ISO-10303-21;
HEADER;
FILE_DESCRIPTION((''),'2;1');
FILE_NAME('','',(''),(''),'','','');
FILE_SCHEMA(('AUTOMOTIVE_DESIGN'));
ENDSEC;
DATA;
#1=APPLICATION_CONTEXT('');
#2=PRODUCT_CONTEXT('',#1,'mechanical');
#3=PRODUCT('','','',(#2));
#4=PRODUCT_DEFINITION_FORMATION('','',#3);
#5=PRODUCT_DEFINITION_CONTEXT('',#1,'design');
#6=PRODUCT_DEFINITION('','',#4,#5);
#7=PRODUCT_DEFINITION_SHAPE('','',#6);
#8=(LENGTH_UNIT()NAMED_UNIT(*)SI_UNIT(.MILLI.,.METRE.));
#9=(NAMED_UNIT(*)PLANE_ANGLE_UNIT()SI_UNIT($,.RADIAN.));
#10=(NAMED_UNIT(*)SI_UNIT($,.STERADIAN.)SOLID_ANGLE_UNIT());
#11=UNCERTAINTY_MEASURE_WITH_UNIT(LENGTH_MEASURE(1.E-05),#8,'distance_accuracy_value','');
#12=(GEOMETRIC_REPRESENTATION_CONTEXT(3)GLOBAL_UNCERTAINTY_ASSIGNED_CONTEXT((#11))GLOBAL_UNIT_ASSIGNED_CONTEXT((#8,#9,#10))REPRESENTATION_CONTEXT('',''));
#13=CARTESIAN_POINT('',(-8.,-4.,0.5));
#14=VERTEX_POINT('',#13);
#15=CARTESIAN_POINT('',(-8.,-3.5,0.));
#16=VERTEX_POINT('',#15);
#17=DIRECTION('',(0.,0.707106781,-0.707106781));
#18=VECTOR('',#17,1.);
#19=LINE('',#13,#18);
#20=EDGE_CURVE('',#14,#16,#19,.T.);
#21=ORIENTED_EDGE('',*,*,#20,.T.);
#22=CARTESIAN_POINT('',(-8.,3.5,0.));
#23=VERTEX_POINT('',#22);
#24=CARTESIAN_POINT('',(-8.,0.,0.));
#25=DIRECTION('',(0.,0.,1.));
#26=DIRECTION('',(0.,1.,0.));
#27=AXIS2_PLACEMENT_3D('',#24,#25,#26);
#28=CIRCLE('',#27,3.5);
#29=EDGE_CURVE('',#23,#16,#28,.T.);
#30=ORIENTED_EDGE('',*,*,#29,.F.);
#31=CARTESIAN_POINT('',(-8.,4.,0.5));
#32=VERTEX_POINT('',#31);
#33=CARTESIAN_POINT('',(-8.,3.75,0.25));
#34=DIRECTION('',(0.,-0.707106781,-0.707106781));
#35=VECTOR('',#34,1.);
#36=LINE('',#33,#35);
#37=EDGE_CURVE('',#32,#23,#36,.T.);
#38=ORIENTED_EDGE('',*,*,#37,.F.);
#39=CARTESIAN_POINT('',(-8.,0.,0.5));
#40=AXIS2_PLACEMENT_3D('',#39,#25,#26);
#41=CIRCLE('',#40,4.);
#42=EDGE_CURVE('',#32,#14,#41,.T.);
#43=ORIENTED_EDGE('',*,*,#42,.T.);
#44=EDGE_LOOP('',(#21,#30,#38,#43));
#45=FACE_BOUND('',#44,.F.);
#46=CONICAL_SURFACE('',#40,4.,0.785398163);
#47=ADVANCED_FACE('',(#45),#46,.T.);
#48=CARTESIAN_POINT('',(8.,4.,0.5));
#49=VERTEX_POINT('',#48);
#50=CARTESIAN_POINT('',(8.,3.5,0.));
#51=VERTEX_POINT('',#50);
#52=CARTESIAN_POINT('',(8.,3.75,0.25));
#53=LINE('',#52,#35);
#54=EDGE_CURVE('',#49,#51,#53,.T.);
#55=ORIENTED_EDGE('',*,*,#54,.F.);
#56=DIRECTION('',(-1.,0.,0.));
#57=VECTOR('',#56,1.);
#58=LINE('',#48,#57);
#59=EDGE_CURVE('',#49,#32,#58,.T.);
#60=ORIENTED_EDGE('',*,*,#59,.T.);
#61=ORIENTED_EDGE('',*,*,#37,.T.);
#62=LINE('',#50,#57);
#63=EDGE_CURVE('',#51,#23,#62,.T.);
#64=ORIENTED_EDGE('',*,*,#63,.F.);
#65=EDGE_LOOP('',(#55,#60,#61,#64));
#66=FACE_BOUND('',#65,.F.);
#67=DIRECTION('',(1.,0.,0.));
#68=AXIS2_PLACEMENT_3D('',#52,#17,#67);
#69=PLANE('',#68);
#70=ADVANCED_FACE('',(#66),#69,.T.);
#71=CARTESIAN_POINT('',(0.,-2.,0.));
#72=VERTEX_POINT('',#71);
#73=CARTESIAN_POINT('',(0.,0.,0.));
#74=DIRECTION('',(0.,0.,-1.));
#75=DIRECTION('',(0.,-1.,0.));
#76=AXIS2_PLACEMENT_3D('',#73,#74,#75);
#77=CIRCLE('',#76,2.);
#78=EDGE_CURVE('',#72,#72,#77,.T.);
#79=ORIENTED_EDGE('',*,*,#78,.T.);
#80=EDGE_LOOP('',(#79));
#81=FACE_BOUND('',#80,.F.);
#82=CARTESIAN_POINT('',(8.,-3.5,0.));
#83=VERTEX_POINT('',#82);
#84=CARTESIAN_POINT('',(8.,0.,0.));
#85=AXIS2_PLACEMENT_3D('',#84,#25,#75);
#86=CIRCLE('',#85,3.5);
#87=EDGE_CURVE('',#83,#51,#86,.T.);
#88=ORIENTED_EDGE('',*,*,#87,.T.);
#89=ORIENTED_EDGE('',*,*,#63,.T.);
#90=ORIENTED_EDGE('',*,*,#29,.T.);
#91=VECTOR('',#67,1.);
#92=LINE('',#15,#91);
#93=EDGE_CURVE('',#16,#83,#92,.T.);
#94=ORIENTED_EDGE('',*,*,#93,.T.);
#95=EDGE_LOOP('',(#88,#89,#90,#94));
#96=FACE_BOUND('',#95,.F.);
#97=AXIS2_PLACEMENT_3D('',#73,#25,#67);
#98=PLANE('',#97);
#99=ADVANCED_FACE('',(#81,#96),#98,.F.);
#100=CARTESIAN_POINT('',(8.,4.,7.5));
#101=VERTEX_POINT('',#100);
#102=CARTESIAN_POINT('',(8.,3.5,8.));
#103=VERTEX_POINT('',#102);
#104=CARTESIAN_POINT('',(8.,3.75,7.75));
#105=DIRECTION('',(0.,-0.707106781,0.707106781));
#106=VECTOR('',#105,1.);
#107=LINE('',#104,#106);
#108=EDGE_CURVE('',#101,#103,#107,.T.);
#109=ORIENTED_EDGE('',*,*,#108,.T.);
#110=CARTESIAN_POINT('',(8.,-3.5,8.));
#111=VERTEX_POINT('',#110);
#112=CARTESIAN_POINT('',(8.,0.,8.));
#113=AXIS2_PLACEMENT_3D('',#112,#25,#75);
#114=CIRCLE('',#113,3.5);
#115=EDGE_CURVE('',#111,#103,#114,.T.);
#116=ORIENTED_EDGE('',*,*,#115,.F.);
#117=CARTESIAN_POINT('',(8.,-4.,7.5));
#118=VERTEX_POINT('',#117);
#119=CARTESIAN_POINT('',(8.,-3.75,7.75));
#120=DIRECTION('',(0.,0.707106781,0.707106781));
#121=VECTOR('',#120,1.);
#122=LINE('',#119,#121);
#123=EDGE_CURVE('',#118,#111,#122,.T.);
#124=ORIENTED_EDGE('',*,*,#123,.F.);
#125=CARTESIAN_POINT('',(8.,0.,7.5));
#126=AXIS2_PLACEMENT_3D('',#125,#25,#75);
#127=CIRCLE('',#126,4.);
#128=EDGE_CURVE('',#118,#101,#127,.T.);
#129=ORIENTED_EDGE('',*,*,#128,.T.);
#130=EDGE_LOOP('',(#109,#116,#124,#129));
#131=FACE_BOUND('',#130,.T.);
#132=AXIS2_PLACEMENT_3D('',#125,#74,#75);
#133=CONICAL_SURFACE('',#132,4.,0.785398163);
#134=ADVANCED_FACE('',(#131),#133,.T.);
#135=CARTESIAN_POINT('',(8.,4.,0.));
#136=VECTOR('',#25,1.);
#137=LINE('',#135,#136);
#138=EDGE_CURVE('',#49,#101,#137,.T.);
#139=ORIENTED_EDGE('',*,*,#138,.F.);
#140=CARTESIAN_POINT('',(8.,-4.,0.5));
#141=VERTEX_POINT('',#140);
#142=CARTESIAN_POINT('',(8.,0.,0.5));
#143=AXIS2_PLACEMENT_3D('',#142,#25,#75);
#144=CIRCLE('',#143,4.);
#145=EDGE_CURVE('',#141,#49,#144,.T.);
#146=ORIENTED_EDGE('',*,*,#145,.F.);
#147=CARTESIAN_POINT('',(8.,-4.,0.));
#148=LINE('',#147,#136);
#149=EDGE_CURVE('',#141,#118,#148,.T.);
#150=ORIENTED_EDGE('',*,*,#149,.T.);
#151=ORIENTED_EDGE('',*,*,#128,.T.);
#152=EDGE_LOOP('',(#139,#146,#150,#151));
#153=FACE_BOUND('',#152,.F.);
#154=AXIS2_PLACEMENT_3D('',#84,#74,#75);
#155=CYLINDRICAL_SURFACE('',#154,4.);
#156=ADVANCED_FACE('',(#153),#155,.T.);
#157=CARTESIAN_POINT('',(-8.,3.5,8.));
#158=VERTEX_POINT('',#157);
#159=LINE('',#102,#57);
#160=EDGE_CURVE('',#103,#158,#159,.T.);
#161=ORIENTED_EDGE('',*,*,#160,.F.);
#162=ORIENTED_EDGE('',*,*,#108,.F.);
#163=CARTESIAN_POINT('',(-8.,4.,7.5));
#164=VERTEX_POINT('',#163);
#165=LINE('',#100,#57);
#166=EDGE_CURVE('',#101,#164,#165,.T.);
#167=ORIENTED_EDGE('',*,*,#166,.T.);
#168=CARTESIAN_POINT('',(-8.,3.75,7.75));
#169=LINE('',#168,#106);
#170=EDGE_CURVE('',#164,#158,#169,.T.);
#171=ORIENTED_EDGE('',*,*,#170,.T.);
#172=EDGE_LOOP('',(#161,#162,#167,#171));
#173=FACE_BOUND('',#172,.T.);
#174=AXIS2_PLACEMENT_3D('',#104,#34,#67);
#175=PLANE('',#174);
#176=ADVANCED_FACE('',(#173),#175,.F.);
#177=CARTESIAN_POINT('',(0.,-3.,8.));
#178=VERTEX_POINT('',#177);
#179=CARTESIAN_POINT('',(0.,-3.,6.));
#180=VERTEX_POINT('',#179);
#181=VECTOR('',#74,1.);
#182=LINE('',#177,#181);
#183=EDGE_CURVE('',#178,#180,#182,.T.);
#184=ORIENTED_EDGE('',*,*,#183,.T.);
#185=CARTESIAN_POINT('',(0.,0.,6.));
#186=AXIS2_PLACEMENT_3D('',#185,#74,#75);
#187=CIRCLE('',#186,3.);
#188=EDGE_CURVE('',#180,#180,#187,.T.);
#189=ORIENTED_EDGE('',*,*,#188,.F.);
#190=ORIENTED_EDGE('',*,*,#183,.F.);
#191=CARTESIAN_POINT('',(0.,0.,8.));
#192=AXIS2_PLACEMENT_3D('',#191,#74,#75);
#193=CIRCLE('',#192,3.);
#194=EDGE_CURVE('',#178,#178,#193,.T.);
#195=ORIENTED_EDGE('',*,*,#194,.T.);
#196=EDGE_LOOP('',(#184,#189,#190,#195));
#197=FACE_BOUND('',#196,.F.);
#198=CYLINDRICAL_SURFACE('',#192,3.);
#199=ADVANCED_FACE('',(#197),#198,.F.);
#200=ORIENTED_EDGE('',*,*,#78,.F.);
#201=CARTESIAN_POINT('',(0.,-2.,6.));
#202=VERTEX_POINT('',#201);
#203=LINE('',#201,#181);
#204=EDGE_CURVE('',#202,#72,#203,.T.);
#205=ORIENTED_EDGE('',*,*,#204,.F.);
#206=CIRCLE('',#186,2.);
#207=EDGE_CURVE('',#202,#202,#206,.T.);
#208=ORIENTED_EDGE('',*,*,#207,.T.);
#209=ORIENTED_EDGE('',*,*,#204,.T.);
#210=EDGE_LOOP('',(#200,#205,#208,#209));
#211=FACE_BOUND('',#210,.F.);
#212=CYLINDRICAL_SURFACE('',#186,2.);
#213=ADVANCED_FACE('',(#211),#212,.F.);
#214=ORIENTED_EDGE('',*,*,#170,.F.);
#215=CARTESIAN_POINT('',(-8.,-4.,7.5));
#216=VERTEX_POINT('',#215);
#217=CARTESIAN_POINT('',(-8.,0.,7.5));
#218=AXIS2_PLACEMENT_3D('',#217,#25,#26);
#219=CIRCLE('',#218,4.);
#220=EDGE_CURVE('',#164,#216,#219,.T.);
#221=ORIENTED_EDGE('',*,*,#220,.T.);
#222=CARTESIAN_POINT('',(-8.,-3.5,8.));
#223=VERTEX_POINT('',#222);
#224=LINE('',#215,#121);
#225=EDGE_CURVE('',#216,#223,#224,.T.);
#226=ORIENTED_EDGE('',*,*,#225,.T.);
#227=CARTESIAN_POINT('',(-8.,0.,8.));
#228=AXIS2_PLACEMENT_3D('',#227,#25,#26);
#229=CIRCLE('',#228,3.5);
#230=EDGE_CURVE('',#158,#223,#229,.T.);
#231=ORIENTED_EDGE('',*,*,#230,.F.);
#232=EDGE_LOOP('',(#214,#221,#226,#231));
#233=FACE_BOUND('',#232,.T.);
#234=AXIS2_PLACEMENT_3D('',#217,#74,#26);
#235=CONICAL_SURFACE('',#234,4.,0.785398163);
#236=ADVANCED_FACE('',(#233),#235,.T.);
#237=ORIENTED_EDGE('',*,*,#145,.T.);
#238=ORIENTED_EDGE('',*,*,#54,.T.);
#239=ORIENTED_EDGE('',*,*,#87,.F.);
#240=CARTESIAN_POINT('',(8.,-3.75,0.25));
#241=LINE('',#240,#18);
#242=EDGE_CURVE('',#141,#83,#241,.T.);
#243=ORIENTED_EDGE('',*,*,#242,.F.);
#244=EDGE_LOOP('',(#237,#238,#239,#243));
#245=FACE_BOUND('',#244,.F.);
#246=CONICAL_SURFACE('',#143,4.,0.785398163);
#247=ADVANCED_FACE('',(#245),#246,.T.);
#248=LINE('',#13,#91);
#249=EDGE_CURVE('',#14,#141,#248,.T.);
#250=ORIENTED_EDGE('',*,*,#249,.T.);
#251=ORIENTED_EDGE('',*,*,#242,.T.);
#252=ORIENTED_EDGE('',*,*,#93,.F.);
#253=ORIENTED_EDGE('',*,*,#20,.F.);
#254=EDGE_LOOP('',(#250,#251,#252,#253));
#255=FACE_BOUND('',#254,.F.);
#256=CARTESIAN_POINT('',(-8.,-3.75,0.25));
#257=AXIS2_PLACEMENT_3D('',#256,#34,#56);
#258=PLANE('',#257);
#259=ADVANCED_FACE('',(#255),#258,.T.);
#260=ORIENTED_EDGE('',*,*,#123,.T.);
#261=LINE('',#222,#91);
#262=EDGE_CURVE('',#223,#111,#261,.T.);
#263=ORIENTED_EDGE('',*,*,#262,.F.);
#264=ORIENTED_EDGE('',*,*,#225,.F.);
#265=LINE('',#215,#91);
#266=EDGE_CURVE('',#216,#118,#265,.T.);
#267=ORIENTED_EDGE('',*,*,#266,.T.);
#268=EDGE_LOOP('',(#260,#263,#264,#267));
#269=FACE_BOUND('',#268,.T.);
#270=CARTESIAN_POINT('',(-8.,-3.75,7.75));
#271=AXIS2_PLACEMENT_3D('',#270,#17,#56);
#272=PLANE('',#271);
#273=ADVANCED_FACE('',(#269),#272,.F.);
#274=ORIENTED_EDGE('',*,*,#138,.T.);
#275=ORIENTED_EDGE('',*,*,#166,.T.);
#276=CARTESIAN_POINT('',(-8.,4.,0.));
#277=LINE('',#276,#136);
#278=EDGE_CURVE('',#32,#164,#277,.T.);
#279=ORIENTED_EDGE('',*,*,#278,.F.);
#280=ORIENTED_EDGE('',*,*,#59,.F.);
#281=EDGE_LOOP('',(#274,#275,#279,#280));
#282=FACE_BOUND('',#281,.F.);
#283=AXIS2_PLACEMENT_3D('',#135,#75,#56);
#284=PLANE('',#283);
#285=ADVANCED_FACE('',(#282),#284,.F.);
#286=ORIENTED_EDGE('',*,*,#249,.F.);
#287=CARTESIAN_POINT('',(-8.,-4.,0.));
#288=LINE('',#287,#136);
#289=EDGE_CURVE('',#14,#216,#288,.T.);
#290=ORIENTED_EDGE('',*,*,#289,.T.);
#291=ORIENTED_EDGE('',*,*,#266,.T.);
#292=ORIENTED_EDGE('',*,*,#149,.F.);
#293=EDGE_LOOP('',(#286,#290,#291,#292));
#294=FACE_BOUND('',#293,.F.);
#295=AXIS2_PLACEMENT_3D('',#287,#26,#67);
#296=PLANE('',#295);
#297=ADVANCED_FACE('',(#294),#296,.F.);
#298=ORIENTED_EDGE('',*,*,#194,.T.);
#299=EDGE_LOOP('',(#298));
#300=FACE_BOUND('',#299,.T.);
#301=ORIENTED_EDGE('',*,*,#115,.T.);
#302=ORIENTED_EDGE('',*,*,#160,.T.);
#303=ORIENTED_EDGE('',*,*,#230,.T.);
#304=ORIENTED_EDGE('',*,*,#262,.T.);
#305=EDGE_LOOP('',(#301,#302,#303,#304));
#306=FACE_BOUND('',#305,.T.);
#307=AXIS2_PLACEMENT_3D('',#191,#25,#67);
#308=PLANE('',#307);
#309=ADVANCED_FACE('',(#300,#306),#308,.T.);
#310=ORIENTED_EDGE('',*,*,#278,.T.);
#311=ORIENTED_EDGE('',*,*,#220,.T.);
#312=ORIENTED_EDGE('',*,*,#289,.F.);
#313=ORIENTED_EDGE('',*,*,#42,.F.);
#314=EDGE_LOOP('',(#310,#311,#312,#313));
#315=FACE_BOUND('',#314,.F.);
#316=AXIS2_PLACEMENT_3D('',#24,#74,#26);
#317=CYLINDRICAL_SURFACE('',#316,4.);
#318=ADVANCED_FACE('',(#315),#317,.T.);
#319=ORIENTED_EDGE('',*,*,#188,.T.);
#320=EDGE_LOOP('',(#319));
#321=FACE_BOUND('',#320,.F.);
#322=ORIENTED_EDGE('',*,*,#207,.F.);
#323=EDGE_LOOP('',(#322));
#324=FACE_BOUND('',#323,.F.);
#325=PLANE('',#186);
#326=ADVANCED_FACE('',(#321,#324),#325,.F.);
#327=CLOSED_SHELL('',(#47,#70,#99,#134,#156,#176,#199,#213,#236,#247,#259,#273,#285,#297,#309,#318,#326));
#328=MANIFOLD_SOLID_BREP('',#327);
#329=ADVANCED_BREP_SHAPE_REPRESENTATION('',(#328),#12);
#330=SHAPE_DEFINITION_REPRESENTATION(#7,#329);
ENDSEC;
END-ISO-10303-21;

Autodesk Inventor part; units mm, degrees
ref_plane "YZ Plane" through (0, 0, 0) normal (1, 0, 0) x (0, 1, 0)
ref_plane "XZ Plane" through (0, 0, 0) normal (0, 1, 0) x (-1, 0, 0)
ref_plane "XY Plane" through (0, 0, 0) normal (0, 0, 1) x (1, 0, 0)
sketch "Sketch1" plane through (0, 0, 0) normal (0, 0, 1) x (1, 0, 0)
  line L0 (-8, 0) -> (8, 0) construction
  line L1 (-8, -4) -> (8, -4)
  line L2 (8, 4) -> (-8, 4)
  arc A0 (-8, 4) -> (-8, -4) centre (-8, 0) ccw
  arc A1 (8, -4) -> (8, 4) centre (8, 0) ccw
  point P0 (0, 0)
  dimension "d0" = 16
  dimension "d1" = 4
extrude "Extrusion1" add sketch "Sketch1" along normal blind 8
chamfer "Chamfer1" distance 0.5 angle 45 8 edges at (0, 4, 8) (-12, 0, 8) (0, -4, 8) (12, 0, 8) (0, 4, 0) (-12, 0, 0) (0, -4, 0) (12, 0, 0)
sketch "Sketch2" plane through (0, 0, 8) normal (0, 0, 1) x (1, 0, 0)
  point P0 (0, 0)
hole "Hole1" at (0, 0, 8) direction (0, 0, -1) diameter 4 end through all counterbore diameter 6 counterbore depth 2
properties part number "Slider" material "Steel"
